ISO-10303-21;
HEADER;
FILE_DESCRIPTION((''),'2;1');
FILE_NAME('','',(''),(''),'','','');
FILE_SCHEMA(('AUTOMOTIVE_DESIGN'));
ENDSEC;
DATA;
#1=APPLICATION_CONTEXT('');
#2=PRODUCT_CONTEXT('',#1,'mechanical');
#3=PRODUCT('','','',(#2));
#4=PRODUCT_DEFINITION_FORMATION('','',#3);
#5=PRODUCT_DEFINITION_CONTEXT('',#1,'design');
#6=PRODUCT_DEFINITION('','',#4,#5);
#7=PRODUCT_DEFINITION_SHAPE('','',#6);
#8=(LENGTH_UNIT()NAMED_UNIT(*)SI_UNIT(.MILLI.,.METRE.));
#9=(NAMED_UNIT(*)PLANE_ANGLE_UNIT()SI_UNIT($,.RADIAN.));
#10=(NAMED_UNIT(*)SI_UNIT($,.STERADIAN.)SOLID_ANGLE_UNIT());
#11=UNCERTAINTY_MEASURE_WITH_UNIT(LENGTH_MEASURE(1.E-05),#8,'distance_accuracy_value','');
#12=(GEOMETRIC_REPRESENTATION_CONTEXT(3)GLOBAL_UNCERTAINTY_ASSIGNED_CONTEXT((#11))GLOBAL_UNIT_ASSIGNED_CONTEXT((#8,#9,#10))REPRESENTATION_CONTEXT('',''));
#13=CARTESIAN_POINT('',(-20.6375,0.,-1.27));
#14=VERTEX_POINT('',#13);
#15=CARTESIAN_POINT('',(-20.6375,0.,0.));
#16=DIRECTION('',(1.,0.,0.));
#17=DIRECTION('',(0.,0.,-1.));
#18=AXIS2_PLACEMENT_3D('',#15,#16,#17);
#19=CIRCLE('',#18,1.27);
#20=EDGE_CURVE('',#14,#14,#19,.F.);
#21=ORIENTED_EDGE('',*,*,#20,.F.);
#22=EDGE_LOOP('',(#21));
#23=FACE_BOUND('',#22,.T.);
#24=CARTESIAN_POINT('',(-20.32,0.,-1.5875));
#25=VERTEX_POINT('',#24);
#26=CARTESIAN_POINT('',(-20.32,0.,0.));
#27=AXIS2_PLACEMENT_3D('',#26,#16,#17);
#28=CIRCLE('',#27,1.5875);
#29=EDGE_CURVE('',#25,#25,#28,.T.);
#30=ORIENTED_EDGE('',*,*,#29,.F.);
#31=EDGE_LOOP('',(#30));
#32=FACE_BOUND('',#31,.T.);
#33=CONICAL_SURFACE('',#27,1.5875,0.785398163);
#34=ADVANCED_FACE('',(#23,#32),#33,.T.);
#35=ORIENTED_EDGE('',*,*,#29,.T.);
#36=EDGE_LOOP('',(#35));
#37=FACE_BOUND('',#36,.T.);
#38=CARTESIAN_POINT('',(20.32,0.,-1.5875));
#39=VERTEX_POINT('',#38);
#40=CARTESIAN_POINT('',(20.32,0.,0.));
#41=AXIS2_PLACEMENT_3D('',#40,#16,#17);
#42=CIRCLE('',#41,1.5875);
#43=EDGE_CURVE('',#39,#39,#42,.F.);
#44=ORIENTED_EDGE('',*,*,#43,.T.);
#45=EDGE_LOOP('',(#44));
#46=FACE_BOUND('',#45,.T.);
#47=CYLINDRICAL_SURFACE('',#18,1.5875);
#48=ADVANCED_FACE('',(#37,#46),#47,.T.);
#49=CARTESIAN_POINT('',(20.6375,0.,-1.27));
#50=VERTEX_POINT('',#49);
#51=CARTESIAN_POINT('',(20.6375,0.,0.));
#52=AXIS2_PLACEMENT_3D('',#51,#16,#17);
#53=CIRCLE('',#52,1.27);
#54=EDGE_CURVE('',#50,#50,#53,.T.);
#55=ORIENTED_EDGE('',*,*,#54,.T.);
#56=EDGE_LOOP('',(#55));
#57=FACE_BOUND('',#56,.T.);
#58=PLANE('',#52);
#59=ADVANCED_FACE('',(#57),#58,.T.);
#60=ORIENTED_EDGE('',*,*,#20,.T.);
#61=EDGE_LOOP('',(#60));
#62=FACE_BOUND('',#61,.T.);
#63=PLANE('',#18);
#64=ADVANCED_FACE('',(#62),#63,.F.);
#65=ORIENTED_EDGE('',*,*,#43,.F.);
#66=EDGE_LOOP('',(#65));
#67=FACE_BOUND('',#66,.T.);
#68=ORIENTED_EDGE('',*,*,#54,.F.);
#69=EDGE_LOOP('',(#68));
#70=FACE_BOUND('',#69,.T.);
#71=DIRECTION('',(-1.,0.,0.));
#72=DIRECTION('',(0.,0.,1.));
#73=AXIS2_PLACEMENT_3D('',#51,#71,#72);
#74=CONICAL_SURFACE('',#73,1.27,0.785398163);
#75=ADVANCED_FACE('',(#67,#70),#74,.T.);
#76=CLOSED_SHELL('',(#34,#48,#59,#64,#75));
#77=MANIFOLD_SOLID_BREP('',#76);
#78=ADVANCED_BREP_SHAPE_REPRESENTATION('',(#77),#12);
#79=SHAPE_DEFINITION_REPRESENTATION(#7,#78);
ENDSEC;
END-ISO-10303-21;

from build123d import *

# Parameters (mm, degrees)
SKETCH2_R           = 1.5875
EXTRUDE1_DEPTH      = 20.6375
EXTRUDE1_DEPTH_BACK = 20.6375
CHAMFER1_SIZE       = 0.3175


with BuildPart() as part:
    # Sketch2 → Extrude1 (new body, two sides)
    with BuildSketch(Plane(origin=(0, 0, 0), x_dir=(0, 0, -1), z_dir=(1, 0, 0))) as extrude1_sk:
        Circle(SKETCH2_R)
    extrude(amount=EXTRUDE1_DEPTH)
    extrude(extrude1_sk.sketch, amount=-EXTRUDE1_DEPTH_BACK)

    # Chamfer1
    chamfer1_edges = [part.edges().sort_by_distance(p)[0] for p in [
        (-20.6375, 0, 1.5875),
        (20.6375, 0, 1.5875),
    ]]
    chamfer(chamfer1_edges, length=CHAMFER1_SIZE)


solid = part.part
